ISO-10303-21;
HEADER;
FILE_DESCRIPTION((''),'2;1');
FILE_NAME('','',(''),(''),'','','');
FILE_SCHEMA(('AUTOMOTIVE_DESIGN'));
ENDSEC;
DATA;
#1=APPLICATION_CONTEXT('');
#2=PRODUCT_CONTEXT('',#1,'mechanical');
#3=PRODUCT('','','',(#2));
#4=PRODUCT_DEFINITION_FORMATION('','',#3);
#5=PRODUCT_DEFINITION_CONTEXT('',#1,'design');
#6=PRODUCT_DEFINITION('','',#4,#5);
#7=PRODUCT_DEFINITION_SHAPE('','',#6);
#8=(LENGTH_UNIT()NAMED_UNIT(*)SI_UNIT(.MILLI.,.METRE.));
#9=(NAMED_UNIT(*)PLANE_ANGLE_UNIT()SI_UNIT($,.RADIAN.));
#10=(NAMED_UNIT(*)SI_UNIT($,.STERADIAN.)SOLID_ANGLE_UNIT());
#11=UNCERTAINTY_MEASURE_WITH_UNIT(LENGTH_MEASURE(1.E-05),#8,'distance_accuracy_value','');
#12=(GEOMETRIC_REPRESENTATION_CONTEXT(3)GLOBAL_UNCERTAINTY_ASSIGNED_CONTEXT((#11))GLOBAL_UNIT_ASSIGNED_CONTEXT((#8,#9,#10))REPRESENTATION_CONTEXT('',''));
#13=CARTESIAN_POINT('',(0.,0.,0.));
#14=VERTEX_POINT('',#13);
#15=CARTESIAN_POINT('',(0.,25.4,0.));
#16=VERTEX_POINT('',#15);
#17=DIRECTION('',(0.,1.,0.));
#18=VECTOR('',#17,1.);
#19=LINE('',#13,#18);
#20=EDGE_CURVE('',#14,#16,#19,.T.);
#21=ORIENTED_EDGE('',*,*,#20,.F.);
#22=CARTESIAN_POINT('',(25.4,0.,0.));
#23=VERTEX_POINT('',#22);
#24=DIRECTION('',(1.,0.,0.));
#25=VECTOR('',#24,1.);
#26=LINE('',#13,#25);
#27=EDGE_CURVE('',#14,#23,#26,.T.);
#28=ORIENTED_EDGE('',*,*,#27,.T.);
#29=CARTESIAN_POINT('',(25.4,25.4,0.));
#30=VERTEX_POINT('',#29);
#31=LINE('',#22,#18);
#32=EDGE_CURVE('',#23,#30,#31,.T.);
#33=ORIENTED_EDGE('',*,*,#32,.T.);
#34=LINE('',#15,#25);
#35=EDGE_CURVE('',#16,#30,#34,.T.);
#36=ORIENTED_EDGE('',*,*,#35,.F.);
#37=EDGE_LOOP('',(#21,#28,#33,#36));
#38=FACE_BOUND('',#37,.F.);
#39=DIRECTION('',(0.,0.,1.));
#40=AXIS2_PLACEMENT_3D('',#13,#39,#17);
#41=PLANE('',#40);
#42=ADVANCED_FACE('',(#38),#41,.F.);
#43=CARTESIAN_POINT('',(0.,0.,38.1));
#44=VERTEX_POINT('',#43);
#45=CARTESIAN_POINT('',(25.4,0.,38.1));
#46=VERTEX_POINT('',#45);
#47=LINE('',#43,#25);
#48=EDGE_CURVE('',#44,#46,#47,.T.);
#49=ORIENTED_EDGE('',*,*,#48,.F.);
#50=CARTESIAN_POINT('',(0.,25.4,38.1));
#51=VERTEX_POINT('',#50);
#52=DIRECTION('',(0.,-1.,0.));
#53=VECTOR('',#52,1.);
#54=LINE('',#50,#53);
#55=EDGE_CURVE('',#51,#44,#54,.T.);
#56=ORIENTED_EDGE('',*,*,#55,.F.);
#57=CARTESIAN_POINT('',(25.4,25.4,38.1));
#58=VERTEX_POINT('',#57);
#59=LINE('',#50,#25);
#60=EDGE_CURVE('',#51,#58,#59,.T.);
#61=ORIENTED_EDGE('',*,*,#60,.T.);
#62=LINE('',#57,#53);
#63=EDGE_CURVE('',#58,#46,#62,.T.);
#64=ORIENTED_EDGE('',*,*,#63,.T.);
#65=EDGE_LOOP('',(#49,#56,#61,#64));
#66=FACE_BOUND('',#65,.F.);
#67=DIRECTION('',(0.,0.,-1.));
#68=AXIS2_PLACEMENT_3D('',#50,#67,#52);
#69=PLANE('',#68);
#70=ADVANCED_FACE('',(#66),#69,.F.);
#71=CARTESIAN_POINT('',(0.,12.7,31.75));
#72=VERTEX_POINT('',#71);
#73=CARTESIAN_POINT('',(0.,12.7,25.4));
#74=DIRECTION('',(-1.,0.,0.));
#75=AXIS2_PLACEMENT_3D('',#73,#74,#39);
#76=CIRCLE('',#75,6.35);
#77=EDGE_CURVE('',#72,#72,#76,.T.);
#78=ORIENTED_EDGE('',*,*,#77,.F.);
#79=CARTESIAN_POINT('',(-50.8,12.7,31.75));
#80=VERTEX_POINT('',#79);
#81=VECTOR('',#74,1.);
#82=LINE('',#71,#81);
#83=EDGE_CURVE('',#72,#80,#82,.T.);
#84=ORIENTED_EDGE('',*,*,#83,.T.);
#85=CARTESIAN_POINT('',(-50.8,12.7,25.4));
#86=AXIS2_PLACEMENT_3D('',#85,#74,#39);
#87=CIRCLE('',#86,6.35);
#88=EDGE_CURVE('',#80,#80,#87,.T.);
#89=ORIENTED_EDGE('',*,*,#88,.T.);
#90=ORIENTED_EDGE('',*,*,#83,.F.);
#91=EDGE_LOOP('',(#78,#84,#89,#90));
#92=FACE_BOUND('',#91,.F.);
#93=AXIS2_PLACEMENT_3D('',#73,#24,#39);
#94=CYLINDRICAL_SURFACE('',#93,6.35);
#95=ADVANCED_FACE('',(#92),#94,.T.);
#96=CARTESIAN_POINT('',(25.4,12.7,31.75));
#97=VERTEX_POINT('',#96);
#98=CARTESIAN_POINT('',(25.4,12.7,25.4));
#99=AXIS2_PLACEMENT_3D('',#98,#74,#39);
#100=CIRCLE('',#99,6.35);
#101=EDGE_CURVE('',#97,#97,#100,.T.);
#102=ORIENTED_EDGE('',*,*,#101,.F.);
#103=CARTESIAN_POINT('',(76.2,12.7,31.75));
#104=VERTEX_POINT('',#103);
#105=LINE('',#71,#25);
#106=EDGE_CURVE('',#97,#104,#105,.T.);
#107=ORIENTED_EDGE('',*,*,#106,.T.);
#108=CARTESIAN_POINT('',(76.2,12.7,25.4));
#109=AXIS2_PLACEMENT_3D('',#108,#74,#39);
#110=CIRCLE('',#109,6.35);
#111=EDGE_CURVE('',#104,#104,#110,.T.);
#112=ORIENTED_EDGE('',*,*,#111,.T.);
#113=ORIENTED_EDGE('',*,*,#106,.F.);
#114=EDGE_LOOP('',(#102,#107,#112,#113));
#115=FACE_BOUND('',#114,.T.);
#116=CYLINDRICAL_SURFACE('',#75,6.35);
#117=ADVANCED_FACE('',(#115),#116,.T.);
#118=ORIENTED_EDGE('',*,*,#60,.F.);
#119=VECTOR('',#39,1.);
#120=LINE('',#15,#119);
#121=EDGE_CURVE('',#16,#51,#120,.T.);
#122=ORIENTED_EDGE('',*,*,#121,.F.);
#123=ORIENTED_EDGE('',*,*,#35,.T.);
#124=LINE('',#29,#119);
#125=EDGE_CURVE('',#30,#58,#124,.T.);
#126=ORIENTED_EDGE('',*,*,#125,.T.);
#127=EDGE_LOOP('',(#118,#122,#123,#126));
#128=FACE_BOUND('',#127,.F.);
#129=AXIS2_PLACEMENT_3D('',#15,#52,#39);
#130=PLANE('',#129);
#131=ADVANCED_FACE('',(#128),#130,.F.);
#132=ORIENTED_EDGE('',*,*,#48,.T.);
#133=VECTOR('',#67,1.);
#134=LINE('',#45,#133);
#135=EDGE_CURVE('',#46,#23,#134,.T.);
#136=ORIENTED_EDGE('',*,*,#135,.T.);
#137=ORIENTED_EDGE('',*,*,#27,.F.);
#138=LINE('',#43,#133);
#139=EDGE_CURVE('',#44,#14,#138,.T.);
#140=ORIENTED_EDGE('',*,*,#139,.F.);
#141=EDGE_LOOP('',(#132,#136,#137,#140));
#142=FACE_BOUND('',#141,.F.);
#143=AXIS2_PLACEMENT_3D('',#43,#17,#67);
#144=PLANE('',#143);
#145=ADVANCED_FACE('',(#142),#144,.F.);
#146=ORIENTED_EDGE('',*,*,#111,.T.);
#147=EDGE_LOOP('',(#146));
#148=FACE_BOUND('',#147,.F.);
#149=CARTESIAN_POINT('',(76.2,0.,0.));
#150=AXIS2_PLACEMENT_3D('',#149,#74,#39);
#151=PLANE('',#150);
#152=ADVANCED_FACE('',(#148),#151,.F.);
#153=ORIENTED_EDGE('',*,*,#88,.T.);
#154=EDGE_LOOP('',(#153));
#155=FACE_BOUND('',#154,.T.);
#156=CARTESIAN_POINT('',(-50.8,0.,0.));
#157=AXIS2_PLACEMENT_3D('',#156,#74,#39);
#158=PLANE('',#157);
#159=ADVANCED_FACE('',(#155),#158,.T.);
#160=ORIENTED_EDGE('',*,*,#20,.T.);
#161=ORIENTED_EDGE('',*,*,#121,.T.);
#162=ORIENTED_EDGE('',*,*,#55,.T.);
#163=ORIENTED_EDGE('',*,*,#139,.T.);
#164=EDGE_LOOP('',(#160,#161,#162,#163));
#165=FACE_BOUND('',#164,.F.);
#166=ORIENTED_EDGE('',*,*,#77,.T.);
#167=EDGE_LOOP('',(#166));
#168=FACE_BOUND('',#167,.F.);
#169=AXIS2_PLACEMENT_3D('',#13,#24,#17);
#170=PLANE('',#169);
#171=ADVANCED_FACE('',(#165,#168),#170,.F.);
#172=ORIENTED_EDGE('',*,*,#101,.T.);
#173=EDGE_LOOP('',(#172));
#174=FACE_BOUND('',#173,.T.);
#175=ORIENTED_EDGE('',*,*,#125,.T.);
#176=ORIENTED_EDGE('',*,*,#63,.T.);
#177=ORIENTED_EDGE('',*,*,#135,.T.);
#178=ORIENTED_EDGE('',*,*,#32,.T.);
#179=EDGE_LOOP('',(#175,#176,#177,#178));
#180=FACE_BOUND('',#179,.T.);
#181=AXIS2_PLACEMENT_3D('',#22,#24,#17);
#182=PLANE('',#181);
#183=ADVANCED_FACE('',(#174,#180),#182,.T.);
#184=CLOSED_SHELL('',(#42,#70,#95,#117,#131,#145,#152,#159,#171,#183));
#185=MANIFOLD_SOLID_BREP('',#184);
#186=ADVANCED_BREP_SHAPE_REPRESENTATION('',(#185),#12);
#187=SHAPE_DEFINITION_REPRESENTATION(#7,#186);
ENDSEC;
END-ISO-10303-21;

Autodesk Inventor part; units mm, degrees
ref_plane "YZ Plane" through (0, 0, 0) normal (1, 0, 0) x (0, 1, 0)
ref_plane "XZ Plane" through (0, 0, 0) normal (0, 1, 0) x (-1, 0, 0)
ref_plane "XY Plane" through (0, 0, 0) normal (0, 0, 1) x (1, 0, 0)
sketch "Sketch1" plane through (0, 0, 0) normal (1, 0, 0) x (0, 1, 0)
  line L0 (0, 0) -> (25.4, 0)
  line L1 (25.4, 0) -> (25.4, 38.1)
  line L2 (25.4, 38.1) -> (0, 38.1)
  line L3 (0, 38.1) -> (0, 0)
  dimension "d0" = 38.1
  dimension "d1" = 25.4
extrude "Extrusion1" add sketch "Sketch1" along normal blind 25.4
sketch "Sketch2" plane through (0, 0, 0) normal (-1, 0, 0) x (0, 0, 1)
  line L0 (0, 0) -> (0, 25.4) projected
  line L1 (0, 25.4) -> (38.1, 25.4) projected
  circle A0 centre (25.4, 12.7) radius 6.35
  dimension "d7" = 12.7
  dimension "d8" = 12.7
  dimension "d9" = 25.4
extrude "Extrusion2" add sketch "Sketch2" along normal blind 50.8 and the other way blind 76.2
properties part number "Cart Handle Pivot"
